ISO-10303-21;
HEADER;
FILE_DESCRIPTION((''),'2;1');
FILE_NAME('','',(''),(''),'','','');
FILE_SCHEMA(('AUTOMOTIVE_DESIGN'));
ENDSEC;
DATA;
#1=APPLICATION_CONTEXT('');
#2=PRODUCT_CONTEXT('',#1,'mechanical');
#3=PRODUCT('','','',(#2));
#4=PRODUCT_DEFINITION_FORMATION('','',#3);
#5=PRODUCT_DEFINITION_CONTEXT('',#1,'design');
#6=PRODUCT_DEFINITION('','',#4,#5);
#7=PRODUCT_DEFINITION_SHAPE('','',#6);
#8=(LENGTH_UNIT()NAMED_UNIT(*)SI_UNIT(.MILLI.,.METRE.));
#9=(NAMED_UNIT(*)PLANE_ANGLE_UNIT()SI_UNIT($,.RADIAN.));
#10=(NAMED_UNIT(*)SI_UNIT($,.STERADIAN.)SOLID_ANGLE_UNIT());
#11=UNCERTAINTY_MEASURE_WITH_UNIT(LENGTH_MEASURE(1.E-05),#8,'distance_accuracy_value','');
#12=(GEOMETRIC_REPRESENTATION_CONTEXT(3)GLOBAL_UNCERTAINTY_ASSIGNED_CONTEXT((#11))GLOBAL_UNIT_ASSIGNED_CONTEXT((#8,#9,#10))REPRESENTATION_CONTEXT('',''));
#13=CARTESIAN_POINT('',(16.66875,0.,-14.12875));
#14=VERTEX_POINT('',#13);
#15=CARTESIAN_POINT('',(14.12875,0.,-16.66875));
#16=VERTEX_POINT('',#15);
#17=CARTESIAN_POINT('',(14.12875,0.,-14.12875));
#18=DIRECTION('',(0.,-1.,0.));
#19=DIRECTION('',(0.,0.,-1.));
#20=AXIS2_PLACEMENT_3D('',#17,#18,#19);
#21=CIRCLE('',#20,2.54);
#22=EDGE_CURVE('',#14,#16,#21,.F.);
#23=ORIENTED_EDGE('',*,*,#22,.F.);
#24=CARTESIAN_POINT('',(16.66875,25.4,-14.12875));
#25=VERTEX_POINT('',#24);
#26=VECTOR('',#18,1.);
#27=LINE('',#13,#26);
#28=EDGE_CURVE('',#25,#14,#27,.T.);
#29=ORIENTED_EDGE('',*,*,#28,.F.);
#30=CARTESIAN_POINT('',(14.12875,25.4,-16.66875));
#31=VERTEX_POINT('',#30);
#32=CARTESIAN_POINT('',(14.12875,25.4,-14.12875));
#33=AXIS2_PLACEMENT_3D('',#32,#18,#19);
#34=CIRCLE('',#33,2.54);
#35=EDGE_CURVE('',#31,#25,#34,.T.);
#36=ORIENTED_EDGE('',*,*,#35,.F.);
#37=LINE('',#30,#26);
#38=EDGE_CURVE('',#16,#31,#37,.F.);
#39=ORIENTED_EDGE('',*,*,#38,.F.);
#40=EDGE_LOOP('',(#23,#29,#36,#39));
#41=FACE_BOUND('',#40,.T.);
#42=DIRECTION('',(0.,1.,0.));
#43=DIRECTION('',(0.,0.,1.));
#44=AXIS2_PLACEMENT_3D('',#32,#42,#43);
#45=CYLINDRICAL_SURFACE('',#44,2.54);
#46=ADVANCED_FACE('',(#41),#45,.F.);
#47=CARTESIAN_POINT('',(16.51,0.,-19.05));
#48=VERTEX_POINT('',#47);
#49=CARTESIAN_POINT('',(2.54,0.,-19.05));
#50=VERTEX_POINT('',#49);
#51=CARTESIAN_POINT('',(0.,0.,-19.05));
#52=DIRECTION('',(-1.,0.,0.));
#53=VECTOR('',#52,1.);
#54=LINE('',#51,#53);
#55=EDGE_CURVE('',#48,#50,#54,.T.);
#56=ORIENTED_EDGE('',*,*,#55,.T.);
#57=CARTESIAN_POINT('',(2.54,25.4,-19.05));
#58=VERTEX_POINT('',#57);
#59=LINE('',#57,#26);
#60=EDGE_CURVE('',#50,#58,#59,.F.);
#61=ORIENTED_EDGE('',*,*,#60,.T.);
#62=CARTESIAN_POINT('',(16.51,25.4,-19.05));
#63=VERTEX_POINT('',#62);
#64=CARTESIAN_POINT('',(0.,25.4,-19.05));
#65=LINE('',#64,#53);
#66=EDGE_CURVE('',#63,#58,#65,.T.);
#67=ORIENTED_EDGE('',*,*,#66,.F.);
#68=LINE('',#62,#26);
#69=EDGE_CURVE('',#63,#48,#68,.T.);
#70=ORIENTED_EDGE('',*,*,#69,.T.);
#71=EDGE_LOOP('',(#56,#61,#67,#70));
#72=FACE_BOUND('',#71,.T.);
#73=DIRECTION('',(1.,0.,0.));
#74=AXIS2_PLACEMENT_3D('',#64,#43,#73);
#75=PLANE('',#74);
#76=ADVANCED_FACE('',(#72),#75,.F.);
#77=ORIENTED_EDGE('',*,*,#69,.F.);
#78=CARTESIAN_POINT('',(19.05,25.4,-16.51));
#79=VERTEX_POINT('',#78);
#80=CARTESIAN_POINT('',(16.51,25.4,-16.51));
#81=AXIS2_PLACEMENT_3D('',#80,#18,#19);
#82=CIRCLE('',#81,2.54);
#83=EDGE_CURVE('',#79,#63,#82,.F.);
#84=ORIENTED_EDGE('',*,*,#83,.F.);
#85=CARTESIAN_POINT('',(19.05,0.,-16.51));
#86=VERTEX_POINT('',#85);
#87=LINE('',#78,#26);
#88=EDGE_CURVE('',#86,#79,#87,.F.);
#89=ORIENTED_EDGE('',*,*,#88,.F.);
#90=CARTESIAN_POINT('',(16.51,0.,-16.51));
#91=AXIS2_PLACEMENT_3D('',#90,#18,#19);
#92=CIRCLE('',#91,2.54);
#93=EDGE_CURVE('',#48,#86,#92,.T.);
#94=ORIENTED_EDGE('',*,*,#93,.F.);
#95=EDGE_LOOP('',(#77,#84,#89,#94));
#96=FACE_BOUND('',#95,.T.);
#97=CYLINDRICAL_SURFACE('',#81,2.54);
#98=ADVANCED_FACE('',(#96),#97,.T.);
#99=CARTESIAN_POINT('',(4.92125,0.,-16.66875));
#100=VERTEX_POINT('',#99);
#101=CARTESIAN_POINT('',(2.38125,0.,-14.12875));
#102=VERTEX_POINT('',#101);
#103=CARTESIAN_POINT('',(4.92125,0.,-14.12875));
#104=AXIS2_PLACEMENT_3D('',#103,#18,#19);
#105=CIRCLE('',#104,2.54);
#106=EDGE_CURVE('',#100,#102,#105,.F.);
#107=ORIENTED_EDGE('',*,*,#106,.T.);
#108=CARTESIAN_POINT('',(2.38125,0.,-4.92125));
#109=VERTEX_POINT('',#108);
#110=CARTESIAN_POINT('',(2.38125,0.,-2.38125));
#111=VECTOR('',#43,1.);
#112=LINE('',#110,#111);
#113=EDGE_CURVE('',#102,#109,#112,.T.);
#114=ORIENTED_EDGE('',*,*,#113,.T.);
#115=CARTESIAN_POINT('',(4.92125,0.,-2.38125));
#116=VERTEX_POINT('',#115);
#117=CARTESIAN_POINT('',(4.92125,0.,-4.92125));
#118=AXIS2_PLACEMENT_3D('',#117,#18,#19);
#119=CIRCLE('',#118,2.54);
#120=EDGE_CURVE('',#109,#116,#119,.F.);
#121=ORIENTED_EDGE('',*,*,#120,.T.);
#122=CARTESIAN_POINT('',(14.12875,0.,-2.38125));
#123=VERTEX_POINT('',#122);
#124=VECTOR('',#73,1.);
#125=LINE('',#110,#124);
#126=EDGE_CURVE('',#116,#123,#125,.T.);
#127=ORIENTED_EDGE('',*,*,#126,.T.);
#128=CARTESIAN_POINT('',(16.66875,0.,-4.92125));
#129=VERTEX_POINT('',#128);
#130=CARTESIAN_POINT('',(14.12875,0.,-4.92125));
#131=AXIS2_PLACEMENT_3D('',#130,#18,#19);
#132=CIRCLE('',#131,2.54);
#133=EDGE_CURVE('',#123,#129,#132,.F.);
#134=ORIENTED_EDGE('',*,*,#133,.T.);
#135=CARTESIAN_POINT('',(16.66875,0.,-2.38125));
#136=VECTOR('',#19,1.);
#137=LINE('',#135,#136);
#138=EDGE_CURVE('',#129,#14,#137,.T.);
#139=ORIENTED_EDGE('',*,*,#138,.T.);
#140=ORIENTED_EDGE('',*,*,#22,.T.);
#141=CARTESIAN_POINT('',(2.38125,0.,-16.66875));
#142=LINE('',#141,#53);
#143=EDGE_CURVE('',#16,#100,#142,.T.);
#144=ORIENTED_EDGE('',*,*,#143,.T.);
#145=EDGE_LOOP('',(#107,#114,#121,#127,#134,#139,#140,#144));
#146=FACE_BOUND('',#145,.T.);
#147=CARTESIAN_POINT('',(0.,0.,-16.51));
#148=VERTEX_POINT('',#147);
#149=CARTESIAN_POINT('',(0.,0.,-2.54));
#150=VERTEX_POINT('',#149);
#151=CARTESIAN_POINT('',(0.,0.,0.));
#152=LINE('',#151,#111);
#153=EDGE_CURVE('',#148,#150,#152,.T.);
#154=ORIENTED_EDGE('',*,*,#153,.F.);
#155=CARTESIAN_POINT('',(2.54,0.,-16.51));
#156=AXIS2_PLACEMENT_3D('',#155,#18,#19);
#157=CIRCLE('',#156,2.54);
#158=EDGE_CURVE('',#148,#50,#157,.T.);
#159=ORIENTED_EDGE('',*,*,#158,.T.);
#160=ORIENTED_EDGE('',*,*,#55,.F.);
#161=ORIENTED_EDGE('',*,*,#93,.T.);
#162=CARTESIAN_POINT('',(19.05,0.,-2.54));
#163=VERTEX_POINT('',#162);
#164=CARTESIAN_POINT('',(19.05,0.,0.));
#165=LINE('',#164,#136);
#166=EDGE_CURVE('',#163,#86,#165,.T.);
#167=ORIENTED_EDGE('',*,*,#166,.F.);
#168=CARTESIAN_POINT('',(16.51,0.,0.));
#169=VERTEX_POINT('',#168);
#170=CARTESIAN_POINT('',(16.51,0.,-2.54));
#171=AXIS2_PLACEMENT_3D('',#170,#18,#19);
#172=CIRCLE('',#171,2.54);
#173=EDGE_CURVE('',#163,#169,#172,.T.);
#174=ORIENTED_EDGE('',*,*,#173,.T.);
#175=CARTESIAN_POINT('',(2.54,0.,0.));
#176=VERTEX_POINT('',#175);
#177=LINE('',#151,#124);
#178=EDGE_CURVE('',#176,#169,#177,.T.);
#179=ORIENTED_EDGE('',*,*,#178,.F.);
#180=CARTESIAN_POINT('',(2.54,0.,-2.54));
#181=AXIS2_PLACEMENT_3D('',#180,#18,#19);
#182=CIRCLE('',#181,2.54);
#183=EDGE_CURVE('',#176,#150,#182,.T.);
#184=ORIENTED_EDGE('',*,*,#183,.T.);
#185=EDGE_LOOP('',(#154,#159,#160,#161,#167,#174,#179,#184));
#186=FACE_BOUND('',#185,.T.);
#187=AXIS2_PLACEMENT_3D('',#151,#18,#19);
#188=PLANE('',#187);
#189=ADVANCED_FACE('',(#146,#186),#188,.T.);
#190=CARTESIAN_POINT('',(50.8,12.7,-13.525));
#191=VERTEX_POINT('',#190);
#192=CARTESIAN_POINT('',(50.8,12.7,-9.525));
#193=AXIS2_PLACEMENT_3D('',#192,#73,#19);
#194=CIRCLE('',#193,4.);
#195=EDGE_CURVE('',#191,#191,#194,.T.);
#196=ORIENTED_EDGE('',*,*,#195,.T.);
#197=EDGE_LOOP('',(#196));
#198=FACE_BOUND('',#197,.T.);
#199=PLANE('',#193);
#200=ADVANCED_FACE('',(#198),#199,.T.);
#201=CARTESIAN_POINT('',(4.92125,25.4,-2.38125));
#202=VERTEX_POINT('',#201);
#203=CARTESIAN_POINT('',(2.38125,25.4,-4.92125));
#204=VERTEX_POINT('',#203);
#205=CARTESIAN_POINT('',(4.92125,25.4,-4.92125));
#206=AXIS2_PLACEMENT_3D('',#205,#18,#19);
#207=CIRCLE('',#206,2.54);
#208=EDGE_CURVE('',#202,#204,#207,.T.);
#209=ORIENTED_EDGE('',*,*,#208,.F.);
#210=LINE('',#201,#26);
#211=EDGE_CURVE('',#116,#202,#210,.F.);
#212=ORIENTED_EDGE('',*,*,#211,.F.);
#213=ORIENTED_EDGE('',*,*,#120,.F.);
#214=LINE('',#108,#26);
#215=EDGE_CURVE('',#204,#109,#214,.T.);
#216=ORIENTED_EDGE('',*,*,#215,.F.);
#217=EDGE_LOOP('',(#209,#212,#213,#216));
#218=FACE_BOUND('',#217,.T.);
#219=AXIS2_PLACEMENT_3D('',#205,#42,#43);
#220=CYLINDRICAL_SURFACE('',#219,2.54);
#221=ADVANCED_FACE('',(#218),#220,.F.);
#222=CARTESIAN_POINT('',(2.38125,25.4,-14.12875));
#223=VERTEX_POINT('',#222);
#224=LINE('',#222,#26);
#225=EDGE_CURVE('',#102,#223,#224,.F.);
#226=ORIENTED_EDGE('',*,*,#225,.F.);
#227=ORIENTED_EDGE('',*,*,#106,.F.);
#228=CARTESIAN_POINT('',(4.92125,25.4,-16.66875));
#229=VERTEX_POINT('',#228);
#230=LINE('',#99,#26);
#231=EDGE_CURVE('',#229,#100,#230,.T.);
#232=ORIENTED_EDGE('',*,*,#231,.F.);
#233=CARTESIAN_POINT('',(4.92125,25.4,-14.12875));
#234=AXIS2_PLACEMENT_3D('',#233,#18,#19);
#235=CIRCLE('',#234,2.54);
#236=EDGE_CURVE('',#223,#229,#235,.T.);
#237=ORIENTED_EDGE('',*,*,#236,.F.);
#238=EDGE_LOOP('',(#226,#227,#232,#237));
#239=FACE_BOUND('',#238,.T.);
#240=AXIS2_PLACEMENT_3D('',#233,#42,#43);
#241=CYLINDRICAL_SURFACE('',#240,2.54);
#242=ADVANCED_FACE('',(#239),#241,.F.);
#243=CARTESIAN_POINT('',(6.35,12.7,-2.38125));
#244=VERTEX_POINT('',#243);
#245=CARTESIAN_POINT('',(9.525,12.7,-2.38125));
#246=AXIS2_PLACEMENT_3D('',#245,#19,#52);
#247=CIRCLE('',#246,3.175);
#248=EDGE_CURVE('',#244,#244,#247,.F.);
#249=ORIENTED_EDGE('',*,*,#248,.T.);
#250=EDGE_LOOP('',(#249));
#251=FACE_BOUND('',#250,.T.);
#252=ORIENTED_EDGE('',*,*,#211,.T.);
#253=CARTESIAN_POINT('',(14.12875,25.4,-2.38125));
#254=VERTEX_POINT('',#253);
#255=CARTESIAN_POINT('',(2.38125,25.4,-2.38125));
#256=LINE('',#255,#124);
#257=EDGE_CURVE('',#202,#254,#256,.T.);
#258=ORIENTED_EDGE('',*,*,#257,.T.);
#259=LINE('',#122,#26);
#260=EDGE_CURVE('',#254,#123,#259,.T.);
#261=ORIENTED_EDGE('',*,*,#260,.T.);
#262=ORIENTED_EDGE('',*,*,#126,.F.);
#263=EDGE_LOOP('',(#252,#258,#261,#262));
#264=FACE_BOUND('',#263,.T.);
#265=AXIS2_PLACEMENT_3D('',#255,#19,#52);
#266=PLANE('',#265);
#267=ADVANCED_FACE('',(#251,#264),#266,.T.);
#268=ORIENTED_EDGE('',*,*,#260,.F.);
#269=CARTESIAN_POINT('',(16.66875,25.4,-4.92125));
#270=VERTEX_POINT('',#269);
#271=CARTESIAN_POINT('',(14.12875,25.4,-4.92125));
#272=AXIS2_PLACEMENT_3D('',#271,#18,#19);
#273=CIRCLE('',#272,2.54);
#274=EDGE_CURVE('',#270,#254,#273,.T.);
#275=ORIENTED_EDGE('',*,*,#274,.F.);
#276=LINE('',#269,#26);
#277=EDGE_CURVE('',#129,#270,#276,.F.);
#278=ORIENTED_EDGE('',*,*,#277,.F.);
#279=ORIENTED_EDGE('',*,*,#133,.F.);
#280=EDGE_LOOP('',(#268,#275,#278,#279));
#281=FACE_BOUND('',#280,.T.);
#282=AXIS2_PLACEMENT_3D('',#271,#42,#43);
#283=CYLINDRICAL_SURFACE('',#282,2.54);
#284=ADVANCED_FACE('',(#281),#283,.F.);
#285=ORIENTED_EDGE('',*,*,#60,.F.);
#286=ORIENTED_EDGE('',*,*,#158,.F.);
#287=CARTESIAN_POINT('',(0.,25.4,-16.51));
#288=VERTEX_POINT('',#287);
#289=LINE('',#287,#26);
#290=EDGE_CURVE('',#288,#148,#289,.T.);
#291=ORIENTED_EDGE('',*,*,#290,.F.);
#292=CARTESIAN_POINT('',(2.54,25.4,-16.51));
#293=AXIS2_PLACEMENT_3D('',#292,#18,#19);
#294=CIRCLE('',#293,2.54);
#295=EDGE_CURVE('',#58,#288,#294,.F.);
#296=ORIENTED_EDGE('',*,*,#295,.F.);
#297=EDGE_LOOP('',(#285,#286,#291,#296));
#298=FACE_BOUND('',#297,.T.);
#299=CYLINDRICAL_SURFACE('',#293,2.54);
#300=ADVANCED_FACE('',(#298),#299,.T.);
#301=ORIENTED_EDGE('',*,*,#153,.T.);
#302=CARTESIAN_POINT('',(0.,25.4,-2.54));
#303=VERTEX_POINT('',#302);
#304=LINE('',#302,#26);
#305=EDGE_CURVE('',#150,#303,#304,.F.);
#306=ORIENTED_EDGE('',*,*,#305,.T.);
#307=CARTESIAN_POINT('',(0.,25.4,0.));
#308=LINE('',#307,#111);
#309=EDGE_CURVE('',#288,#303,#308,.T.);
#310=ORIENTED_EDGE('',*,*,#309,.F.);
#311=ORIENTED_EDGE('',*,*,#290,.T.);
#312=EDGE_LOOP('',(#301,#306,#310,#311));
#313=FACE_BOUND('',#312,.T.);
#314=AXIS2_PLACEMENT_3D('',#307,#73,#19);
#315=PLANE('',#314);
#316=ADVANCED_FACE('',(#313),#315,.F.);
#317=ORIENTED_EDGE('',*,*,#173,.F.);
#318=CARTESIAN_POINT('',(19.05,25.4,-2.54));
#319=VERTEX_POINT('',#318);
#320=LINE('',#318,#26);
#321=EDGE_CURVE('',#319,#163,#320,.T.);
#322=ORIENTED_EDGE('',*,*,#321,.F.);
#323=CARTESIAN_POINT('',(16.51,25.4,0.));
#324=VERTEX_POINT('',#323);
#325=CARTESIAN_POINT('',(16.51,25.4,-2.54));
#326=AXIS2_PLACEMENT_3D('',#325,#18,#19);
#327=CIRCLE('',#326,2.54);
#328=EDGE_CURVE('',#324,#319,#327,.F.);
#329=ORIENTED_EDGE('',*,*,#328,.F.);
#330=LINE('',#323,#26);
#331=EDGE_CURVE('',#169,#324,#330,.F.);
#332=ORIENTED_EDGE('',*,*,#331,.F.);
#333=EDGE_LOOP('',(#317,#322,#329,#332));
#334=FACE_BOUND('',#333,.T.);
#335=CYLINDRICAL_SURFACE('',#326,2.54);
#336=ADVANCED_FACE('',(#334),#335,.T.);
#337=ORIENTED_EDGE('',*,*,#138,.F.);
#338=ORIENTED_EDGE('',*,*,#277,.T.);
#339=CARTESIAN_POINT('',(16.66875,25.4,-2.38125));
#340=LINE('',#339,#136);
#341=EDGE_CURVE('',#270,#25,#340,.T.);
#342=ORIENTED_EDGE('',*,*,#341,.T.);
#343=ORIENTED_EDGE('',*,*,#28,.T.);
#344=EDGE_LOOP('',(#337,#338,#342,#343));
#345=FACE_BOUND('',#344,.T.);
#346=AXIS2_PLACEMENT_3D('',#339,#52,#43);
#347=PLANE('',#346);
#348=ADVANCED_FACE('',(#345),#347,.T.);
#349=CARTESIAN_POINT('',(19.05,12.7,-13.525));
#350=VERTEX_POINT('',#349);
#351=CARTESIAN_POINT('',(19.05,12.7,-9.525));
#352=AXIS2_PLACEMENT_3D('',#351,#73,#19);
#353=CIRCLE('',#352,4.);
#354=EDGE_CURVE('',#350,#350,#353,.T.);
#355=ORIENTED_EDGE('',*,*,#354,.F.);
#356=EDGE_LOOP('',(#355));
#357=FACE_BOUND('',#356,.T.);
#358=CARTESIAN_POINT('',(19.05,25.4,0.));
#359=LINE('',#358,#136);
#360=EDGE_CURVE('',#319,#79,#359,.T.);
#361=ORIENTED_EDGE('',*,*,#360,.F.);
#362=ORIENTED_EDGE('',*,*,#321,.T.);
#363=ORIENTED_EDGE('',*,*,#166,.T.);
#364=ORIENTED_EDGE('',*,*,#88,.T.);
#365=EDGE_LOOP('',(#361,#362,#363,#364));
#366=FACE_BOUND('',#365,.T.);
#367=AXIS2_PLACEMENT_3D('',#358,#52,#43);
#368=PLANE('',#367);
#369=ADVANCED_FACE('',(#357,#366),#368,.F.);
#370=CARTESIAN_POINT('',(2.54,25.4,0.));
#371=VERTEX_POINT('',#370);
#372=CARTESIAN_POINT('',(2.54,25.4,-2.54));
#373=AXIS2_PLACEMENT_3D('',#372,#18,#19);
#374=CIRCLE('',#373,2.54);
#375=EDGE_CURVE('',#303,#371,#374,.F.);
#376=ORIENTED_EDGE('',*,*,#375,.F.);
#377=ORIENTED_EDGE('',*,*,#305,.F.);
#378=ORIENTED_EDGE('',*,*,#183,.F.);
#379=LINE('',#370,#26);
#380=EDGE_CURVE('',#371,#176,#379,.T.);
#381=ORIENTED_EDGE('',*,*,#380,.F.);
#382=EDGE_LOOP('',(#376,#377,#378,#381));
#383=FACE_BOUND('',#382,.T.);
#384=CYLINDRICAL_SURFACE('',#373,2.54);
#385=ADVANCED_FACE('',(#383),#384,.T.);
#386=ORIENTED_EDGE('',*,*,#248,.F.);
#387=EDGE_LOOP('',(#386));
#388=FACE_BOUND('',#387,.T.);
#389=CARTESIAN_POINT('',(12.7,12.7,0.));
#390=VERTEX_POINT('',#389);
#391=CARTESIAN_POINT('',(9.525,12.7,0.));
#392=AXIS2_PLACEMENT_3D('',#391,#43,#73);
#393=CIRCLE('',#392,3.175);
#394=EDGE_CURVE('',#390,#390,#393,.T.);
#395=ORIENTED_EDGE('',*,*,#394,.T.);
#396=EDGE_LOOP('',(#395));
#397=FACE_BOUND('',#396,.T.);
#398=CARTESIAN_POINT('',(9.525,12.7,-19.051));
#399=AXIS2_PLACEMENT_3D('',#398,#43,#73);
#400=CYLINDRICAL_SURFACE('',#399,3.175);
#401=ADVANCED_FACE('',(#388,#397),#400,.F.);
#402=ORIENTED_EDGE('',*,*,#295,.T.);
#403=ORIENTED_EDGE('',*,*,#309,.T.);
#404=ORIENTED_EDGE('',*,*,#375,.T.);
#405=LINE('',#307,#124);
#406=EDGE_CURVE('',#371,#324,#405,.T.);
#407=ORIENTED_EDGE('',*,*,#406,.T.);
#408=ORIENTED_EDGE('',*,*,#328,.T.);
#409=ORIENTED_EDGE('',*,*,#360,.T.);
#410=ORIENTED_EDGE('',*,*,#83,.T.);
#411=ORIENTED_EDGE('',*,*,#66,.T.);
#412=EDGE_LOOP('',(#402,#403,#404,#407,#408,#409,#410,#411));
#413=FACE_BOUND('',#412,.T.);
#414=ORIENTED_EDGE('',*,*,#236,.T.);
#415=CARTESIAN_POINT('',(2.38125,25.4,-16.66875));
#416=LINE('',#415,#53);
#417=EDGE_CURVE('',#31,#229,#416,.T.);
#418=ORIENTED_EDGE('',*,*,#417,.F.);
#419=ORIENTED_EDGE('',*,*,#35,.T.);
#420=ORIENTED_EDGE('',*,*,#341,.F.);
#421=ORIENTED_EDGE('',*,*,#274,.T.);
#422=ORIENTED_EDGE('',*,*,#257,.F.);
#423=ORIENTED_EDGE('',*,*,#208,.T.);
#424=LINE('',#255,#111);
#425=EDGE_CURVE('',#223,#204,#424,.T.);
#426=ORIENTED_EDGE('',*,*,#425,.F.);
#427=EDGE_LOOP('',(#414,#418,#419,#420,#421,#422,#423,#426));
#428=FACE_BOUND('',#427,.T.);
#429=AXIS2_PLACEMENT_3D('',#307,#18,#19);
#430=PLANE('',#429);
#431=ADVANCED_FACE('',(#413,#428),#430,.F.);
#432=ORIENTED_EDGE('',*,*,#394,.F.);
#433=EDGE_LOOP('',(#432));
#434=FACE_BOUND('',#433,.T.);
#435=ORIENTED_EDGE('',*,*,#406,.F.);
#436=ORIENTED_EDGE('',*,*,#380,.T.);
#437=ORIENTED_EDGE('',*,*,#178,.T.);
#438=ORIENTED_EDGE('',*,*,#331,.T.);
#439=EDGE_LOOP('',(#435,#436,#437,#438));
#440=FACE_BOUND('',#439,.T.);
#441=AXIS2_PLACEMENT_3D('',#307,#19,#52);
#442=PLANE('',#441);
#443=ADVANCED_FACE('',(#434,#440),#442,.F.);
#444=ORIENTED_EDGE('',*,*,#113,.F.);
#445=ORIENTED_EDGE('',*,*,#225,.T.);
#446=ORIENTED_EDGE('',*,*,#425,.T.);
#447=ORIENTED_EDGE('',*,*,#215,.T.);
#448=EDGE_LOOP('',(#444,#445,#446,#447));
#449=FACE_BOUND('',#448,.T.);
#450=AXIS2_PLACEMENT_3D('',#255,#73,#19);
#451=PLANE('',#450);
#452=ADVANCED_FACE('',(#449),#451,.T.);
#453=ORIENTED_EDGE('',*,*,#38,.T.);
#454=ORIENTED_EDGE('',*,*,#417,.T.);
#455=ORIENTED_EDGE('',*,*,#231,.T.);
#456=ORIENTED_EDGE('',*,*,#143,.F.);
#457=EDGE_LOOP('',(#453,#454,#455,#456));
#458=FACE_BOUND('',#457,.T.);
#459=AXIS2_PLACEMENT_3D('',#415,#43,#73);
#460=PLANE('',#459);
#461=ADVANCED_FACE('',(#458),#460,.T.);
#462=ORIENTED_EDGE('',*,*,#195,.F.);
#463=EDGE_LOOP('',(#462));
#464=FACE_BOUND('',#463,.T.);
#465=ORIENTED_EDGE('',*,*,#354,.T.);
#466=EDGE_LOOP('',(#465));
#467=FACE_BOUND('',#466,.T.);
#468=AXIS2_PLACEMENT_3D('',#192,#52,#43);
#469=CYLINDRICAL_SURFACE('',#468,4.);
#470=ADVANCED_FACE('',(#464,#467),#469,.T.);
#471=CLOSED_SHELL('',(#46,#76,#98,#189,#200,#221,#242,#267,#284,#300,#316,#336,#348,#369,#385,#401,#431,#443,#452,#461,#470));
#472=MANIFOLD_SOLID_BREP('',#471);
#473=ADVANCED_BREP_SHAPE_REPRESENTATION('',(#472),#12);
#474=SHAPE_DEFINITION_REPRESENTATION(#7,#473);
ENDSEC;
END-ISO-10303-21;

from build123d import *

# Parameters (mm, degrees)
SKETCH1_W           = 19.05
SKETCH1_H           = 19.05
SKETCH1_W_2         = 14.2875
SKETCH1_H_2         = 14.2875
BOSS_EXTRUDE1_DEPTH = 25.4
CUT_EXTRUDE1_REACH  = 21.05
SKETCH2_R           = 3.175
SKETCH3_R           = 4
BOSS_EXTRUDE2_DEPTH = 31.75
FILLET1_R           = 2.54


with BuildPart() as part:
    # Sketch1 → Boss-Extrude1 (new body)
    with BuildSketch(Plane(origin=(0, 0, 0), x_dir=(1, 0, 0), z_dir=(0, 1, 0))):
        with Locations((9.525, 9.525)):
            Rectangle(SKETCH1_W, SKETCH1_H)
        with Locations((9.525, 9.525)):
            Rectangle(SKETCH1_W_2, SKETCH1_H_2, mode=Mode.SUBTRACT)
    extrude(amount=BOSS_EXTRUDE1_DEPTH)

    # Sketch2 → Cut-Extrude1 (cut, up to next)
    with BuildSketch(Plane.XY, mode=Mode.PRIVATE) as cut_extrude1_sk1:
        with Locations((9.525, 12.7)):
            Circle(SKETCH2_R)
    cut_extrude1_tool1 = extrude(cut_extrude1_sk1.sketch, amount=-CUT_EXTRUDE1_REACH, mode=Mode.PRIVATE) & part.part
    add(cut_extrude1_tool1.solids().sort_by_distance((9.525, 12.7, 0))[0], mode=Mode.SUBTRACT)

    # Sketch3 → Boss-Extrude2 (add)
    with BuildSketch(Plane(origin=(19.05, 0, 0), x_dir=(0, 0, -1), z_dir=(1, 0, 0))):
        with Locations((9.525, 12.7)):
            Circle(SKETCH3_R)
    extrude(amount=BOSS_EXTRUDE2_DEPTH)

    # Fillet1
    fillet1_edges = [part.edges().sort_by_distance(p)[0] for p in [
        (2.38125, 12.7, -16.66875),
        (2.38125, 12.7, -2.38125),
        (16.66875, 12.7, -2.38125),
        (16.66875, 12.7, -16.66875),
        (0, 12.7, -19.05),
        (19.05, 12.7, -19.05),
        (19.05, 12.7, 0),
        (0, 12.7, 0),
    ]]
    fillet(fillet1_edges, radius=FILLET1_R)


solid = part.part
